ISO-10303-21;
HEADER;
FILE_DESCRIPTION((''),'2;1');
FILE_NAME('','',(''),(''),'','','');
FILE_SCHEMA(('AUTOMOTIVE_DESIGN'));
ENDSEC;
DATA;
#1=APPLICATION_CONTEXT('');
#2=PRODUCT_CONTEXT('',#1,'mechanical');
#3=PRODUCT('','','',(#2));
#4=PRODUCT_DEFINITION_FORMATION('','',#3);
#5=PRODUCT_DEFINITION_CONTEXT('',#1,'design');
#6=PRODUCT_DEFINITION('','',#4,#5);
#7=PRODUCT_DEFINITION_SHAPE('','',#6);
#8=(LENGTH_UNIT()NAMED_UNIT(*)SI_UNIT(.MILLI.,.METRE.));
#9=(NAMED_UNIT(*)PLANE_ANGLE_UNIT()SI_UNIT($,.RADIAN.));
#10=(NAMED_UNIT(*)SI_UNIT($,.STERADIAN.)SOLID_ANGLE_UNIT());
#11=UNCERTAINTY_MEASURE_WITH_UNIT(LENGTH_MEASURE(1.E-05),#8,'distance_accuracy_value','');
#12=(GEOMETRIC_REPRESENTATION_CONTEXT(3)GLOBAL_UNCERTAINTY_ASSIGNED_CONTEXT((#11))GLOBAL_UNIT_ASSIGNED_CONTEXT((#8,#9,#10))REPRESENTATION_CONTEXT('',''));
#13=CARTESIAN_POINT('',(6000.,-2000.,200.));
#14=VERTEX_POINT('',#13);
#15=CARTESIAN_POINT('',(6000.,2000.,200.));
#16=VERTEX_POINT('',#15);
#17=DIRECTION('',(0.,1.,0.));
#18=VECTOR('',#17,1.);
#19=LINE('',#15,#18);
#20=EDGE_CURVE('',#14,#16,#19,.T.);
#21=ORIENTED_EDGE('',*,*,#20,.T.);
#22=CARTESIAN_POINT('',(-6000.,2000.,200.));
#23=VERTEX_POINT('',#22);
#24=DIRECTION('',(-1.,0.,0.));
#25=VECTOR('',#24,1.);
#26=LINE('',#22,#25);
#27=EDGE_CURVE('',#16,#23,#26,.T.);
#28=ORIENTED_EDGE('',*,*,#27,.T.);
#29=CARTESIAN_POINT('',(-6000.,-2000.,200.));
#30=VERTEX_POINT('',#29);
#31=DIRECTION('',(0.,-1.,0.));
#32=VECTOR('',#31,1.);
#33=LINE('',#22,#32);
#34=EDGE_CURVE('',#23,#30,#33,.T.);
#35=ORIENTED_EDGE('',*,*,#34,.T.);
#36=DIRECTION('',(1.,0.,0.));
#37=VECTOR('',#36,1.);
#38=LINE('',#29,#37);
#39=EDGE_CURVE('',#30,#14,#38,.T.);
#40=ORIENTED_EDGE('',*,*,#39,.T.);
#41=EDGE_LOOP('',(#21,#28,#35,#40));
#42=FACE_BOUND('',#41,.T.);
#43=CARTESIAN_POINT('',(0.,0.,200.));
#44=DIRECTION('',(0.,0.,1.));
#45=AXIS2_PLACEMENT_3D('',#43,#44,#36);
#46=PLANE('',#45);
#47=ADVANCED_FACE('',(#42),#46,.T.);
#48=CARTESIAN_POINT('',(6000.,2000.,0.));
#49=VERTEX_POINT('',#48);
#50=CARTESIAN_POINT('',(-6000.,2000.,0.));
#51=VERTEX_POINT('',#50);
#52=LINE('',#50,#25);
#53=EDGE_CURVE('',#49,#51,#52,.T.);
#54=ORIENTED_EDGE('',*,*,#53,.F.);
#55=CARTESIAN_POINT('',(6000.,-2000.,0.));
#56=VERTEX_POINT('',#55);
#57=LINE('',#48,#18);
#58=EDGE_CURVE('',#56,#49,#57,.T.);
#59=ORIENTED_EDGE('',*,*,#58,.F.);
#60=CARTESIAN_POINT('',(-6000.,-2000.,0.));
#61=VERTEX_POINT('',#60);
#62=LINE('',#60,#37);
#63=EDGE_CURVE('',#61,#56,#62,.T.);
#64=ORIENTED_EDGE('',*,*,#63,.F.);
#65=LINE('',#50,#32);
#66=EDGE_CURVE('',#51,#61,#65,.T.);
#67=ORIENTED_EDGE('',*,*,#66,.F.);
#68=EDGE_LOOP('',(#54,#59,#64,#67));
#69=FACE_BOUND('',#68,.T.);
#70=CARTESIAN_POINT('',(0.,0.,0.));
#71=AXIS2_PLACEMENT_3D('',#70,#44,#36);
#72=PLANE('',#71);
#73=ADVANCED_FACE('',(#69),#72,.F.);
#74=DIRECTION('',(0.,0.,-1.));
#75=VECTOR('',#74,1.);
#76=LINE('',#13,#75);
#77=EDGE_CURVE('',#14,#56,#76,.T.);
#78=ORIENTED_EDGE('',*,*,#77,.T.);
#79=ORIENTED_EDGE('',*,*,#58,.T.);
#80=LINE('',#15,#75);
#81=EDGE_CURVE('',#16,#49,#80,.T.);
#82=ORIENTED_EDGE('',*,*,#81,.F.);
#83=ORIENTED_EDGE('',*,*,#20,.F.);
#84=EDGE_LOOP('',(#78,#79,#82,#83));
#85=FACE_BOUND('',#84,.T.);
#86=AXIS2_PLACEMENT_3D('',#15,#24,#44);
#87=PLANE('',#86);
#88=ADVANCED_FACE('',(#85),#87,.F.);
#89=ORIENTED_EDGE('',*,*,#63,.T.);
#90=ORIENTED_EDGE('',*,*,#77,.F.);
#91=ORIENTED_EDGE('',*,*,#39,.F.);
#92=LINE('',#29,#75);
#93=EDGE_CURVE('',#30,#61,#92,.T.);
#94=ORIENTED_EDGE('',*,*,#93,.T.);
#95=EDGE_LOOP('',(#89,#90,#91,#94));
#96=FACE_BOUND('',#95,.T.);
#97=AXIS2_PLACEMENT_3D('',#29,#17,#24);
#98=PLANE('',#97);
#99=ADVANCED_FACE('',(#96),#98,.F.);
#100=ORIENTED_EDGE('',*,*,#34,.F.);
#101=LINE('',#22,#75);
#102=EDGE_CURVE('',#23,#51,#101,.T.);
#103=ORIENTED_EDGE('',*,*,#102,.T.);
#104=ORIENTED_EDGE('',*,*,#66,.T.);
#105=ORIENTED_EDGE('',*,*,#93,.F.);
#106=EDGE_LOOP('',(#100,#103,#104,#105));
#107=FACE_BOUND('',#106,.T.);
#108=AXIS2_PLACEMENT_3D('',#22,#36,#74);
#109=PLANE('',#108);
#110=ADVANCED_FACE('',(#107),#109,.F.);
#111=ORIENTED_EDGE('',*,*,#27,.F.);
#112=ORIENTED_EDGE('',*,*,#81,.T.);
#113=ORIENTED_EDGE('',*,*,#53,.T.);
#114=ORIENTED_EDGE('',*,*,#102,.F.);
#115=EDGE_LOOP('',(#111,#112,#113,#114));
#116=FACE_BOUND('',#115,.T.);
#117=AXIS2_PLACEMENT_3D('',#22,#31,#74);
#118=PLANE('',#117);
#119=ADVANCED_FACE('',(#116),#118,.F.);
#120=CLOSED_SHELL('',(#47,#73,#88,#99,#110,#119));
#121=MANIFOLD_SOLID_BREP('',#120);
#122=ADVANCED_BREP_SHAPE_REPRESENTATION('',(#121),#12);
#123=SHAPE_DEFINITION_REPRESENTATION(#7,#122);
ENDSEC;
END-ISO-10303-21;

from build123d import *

# Parameters (mm, degrees)
SKETCH_1_W      = 12000
SKETCH_1_H      = 4000
EXTRUDE_1_DEPTH = 200


with BuildPart() as part:
    # 草图1 → 凸台-拉伸1 (new body)
    with BuildSketch(Plane.XY):
        Rectangle(SKETCH_1_W, SKETCH_1_H)
    extrude(amount=EXTRUDE_1_DEPTH)


solid = part.part
